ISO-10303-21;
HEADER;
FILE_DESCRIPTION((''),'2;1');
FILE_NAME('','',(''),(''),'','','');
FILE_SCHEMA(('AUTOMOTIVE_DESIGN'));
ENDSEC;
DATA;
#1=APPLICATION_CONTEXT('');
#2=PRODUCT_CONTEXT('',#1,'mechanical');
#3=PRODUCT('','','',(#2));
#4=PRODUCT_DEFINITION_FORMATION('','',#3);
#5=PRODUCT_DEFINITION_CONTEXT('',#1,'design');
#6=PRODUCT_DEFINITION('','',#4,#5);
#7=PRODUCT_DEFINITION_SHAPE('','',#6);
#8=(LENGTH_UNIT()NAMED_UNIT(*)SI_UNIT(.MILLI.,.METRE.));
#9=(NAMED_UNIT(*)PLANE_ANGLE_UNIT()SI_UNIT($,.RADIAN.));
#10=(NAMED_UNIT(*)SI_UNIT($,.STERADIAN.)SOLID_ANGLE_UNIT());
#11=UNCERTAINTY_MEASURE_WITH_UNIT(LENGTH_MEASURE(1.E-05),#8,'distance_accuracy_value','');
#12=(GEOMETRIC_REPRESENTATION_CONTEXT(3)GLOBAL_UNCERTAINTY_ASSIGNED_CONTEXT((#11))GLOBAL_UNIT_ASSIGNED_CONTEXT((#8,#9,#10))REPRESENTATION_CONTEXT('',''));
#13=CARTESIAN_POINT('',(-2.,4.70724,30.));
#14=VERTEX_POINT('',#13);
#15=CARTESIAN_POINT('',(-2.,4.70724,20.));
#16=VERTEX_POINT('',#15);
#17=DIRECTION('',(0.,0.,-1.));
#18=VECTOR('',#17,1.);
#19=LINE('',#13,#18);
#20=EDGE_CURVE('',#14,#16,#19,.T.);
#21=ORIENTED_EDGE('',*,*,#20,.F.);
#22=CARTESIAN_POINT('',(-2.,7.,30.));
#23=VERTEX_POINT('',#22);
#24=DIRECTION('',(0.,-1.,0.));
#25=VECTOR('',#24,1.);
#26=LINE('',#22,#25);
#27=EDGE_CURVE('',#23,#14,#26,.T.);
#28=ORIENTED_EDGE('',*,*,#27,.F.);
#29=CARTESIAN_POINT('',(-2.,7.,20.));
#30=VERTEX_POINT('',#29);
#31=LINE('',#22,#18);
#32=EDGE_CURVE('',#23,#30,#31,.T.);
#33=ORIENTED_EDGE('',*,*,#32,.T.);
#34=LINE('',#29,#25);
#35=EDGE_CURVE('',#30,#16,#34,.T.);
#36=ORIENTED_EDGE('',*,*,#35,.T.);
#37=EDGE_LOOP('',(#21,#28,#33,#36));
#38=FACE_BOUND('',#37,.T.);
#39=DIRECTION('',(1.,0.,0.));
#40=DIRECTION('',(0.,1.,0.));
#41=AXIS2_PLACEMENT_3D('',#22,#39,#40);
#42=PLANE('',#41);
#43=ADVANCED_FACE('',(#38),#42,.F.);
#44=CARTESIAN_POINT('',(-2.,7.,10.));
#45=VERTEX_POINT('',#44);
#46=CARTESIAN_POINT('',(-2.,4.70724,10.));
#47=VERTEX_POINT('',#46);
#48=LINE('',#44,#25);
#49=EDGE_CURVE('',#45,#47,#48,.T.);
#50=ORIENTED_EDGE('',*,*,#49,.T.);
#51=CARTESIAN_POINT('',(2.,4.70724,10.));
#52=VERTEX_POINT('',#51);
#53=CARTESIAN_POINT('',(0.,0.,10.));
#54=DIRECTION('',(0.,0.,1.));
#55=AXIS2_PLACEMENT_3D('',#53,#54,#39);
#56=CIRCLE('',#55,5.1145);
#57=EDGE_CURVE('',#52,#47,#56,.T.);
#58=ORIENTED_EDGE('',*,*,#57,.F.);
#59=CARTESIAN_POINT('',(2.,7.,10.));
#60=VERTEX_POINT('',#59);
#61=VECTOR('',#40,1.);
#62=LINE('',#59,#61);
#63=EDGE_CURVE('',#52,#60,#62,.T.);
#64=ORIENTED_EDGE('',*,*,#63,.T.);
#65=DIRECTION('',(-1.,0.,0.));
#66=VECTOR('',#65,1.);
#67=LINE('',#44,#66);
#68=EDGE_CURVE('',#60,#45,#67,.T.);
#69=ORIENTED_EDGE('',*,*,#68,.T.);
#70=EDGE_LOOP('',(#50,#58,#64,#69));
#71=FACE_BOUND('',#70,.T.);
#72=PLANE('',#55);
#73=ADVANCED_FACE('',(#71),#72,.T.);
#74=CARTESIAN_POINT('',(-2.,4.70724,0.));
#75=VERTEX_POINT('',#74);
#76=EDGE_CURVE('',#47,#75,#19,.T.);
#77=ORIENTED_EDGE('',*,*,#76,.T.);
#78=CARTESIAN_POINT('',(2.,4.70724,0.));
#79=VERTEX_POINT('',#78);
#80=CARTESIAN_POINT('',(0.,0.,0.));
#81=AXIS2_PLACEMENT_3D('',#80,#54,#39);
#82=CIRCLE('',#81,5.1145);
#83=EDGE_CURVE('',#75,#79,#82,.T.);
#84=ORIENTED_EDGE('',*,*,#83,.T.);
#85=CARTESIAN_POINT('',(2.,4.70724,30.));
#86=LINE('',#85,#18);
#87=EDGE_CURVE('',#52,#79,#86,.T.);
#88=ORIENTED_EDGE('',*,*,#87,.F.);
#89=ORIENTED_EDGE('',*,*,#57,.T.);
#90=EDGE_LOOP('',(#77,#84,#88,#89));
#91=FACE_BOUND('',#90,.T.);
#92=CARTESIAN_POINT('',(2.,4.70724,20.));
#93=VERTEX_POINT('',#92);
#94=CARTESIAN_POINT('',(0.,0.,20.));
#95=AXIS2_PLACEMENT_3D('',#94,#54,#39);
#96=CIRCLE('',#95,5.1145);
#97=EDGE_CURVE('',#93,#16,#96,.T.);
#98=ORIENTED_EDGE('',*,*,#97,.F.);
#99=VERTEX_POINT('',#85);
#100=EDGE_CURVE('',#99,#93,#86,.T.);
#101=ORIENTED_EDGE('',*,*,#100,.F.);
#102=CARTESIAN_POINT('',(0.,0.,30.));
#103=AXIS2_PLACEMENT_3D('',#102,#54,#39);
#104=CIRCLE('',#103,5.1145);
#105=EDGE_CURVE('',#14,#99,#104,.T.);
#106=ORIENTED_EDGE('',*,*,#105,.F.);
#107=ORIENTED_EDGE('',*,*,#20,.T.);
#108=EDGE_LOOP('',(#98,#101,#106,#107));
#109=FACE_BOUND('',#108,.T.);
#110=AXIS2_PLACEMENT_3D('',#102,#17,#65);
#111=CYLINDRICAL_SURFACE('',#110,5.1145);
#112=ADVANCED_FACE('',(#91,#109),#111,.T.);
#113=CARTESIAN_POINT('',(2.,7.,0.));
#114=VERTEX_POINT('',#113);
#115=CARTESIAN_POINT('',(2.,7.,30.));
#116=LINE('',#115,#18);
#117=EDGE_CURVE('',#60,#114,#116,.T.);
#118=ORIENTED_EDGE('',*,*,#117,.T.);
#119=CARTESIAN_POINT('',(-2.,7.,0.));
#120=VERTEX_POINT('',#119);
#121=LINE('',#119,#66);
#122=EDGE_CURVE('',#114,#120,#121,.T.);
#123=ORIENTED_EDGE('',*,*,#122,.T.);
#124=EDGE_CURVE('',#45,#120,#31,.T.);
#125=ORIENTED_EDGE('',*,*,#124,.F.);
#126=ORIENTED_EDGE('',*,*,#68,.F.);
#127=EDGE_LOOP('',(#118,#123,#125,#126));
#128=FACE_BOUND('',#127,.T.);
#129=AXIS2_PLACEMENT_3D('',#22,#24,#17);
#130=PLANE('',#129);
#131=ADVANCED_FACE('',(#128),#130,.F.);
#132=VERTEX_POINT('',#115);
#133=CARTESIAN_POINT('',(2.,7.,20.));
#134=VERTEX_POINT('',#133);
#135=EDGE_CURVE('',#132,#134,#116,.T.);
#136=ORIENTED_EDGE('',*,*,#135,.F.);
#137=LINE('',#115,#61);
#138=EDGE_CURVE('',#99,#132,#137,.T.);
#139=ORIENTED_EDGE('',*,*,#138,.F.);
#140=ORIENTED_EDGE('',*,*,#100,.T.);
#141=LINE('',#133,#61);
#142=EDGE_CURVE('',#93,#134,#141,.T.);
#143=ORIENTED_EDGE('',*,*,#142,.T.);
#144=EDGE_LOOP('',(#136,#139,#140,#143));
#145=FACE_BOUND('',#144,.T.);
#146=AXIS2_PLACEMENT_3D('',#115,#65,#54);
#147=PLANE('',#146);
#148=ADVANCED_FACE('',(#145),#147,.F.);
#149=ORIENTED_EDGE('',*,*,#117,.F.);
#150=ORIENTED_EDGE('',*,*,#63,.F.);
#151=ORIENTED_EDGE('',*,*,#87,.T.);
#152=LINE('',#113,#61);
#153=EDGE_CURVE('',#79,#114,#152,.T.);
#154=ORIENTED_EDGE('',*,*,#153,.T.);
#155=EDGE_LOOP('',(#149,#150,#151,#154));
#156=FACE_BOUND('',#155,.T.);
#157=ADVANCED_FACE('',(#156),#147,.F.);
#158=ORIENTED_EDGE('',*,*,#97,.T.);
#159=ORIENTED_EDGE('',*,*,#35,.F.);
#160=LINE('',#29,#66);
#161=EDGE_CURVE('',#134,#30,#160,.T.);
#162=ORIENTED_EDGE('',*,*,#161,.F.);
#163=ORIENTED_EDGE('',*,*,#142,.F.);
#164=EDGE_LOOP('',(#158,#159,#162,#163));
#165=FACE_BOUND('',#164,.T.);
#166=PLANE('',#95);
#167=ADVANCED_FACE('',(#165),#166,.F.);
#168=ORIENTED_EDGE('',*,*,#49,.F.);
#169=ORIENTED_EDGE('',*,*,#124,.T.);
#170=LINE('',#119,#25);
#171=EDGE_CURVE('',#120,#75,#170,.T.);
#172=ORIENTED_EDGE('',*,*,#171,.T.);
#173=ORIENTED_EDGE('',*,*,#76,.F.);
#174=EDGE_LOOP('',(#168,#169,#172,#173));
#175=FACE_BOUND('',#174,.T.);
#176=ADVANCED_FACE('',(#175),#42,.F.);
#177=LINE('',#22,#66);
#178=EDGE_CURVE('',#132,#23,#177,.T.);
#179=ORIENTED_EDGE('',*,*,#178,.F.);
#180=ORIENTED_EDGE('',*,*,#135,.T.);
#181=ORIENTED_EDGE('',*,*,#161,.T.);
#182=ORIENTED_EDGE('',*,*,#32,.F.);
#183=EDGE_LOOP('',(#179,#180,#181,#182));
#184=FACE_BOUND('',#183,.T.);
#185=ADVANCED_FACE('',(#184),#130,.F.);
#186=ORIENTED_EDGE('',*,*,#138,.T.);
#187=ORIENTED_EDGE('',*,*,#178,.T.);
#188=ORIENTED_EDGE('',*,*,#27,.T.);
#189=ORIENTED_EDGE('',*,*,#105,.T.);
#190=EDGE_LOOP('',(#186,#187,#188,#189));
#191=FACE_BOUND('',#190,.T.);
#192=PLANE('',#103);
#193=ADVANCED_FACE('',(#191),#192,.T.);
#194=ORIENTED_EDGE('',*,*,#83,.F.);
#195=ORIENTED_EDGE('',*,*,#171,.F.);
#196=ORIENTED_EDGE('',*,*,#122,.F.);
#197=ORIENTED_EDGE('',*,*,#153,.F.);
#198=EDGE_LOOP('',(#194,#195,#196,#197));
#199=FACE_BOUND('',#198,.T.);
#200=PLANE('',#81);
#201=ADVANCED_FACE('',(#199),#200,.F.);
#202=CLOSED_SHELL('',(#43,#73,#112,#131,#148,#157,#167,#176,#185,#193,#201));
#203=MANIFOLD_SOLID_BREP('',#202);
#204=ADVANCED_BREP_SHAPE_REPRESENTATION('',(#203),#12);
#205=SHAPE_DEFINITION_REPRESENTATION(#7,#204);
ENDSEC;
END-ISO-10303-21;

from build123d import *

# Parameters (mm, degrees)
BOSS_EXTRUDE1_DEPTH = 30
CUT_EXTRUDE2_START  = -10
SKETCH2_R           = 9.068137576
SKETCH2_R_2         = 5.1145
CUT_EXTRUDE2_DEPTH  = 10


with BuildPart() as part:
    # Sketch1 → Boss-Extrude1 (new body)
    with BuildSketch(Plane.XY):
        with BuildLine():
            Line((-2, 7), (2, 7))
            Line((2, 7), (2, 4.707240195))
            ThreePointArc((2, 4.707240195), (0, -5.1145), (-2, 4.707240195))
            Line((-2, 4.707240195), (-2, 7))
        make_face()
    extrude(amount=BOSS_EXTRUDE1_DEPTH)

    # Sketch2 → Cut-Extrude2 (cut)
    with BuildSketch(Plane.XY.offset(30).offset(CUT_EXTRUDE2_START)):
        Circle(SKETCH2_R)
        Circle(SKETCH2_R_2, mode=Mode.SUBTRACT)
    extrude(amount=-CUT_EXTRUDE2_DEPTH, mode=Mode.SUBTRACT)


solid = part.part
